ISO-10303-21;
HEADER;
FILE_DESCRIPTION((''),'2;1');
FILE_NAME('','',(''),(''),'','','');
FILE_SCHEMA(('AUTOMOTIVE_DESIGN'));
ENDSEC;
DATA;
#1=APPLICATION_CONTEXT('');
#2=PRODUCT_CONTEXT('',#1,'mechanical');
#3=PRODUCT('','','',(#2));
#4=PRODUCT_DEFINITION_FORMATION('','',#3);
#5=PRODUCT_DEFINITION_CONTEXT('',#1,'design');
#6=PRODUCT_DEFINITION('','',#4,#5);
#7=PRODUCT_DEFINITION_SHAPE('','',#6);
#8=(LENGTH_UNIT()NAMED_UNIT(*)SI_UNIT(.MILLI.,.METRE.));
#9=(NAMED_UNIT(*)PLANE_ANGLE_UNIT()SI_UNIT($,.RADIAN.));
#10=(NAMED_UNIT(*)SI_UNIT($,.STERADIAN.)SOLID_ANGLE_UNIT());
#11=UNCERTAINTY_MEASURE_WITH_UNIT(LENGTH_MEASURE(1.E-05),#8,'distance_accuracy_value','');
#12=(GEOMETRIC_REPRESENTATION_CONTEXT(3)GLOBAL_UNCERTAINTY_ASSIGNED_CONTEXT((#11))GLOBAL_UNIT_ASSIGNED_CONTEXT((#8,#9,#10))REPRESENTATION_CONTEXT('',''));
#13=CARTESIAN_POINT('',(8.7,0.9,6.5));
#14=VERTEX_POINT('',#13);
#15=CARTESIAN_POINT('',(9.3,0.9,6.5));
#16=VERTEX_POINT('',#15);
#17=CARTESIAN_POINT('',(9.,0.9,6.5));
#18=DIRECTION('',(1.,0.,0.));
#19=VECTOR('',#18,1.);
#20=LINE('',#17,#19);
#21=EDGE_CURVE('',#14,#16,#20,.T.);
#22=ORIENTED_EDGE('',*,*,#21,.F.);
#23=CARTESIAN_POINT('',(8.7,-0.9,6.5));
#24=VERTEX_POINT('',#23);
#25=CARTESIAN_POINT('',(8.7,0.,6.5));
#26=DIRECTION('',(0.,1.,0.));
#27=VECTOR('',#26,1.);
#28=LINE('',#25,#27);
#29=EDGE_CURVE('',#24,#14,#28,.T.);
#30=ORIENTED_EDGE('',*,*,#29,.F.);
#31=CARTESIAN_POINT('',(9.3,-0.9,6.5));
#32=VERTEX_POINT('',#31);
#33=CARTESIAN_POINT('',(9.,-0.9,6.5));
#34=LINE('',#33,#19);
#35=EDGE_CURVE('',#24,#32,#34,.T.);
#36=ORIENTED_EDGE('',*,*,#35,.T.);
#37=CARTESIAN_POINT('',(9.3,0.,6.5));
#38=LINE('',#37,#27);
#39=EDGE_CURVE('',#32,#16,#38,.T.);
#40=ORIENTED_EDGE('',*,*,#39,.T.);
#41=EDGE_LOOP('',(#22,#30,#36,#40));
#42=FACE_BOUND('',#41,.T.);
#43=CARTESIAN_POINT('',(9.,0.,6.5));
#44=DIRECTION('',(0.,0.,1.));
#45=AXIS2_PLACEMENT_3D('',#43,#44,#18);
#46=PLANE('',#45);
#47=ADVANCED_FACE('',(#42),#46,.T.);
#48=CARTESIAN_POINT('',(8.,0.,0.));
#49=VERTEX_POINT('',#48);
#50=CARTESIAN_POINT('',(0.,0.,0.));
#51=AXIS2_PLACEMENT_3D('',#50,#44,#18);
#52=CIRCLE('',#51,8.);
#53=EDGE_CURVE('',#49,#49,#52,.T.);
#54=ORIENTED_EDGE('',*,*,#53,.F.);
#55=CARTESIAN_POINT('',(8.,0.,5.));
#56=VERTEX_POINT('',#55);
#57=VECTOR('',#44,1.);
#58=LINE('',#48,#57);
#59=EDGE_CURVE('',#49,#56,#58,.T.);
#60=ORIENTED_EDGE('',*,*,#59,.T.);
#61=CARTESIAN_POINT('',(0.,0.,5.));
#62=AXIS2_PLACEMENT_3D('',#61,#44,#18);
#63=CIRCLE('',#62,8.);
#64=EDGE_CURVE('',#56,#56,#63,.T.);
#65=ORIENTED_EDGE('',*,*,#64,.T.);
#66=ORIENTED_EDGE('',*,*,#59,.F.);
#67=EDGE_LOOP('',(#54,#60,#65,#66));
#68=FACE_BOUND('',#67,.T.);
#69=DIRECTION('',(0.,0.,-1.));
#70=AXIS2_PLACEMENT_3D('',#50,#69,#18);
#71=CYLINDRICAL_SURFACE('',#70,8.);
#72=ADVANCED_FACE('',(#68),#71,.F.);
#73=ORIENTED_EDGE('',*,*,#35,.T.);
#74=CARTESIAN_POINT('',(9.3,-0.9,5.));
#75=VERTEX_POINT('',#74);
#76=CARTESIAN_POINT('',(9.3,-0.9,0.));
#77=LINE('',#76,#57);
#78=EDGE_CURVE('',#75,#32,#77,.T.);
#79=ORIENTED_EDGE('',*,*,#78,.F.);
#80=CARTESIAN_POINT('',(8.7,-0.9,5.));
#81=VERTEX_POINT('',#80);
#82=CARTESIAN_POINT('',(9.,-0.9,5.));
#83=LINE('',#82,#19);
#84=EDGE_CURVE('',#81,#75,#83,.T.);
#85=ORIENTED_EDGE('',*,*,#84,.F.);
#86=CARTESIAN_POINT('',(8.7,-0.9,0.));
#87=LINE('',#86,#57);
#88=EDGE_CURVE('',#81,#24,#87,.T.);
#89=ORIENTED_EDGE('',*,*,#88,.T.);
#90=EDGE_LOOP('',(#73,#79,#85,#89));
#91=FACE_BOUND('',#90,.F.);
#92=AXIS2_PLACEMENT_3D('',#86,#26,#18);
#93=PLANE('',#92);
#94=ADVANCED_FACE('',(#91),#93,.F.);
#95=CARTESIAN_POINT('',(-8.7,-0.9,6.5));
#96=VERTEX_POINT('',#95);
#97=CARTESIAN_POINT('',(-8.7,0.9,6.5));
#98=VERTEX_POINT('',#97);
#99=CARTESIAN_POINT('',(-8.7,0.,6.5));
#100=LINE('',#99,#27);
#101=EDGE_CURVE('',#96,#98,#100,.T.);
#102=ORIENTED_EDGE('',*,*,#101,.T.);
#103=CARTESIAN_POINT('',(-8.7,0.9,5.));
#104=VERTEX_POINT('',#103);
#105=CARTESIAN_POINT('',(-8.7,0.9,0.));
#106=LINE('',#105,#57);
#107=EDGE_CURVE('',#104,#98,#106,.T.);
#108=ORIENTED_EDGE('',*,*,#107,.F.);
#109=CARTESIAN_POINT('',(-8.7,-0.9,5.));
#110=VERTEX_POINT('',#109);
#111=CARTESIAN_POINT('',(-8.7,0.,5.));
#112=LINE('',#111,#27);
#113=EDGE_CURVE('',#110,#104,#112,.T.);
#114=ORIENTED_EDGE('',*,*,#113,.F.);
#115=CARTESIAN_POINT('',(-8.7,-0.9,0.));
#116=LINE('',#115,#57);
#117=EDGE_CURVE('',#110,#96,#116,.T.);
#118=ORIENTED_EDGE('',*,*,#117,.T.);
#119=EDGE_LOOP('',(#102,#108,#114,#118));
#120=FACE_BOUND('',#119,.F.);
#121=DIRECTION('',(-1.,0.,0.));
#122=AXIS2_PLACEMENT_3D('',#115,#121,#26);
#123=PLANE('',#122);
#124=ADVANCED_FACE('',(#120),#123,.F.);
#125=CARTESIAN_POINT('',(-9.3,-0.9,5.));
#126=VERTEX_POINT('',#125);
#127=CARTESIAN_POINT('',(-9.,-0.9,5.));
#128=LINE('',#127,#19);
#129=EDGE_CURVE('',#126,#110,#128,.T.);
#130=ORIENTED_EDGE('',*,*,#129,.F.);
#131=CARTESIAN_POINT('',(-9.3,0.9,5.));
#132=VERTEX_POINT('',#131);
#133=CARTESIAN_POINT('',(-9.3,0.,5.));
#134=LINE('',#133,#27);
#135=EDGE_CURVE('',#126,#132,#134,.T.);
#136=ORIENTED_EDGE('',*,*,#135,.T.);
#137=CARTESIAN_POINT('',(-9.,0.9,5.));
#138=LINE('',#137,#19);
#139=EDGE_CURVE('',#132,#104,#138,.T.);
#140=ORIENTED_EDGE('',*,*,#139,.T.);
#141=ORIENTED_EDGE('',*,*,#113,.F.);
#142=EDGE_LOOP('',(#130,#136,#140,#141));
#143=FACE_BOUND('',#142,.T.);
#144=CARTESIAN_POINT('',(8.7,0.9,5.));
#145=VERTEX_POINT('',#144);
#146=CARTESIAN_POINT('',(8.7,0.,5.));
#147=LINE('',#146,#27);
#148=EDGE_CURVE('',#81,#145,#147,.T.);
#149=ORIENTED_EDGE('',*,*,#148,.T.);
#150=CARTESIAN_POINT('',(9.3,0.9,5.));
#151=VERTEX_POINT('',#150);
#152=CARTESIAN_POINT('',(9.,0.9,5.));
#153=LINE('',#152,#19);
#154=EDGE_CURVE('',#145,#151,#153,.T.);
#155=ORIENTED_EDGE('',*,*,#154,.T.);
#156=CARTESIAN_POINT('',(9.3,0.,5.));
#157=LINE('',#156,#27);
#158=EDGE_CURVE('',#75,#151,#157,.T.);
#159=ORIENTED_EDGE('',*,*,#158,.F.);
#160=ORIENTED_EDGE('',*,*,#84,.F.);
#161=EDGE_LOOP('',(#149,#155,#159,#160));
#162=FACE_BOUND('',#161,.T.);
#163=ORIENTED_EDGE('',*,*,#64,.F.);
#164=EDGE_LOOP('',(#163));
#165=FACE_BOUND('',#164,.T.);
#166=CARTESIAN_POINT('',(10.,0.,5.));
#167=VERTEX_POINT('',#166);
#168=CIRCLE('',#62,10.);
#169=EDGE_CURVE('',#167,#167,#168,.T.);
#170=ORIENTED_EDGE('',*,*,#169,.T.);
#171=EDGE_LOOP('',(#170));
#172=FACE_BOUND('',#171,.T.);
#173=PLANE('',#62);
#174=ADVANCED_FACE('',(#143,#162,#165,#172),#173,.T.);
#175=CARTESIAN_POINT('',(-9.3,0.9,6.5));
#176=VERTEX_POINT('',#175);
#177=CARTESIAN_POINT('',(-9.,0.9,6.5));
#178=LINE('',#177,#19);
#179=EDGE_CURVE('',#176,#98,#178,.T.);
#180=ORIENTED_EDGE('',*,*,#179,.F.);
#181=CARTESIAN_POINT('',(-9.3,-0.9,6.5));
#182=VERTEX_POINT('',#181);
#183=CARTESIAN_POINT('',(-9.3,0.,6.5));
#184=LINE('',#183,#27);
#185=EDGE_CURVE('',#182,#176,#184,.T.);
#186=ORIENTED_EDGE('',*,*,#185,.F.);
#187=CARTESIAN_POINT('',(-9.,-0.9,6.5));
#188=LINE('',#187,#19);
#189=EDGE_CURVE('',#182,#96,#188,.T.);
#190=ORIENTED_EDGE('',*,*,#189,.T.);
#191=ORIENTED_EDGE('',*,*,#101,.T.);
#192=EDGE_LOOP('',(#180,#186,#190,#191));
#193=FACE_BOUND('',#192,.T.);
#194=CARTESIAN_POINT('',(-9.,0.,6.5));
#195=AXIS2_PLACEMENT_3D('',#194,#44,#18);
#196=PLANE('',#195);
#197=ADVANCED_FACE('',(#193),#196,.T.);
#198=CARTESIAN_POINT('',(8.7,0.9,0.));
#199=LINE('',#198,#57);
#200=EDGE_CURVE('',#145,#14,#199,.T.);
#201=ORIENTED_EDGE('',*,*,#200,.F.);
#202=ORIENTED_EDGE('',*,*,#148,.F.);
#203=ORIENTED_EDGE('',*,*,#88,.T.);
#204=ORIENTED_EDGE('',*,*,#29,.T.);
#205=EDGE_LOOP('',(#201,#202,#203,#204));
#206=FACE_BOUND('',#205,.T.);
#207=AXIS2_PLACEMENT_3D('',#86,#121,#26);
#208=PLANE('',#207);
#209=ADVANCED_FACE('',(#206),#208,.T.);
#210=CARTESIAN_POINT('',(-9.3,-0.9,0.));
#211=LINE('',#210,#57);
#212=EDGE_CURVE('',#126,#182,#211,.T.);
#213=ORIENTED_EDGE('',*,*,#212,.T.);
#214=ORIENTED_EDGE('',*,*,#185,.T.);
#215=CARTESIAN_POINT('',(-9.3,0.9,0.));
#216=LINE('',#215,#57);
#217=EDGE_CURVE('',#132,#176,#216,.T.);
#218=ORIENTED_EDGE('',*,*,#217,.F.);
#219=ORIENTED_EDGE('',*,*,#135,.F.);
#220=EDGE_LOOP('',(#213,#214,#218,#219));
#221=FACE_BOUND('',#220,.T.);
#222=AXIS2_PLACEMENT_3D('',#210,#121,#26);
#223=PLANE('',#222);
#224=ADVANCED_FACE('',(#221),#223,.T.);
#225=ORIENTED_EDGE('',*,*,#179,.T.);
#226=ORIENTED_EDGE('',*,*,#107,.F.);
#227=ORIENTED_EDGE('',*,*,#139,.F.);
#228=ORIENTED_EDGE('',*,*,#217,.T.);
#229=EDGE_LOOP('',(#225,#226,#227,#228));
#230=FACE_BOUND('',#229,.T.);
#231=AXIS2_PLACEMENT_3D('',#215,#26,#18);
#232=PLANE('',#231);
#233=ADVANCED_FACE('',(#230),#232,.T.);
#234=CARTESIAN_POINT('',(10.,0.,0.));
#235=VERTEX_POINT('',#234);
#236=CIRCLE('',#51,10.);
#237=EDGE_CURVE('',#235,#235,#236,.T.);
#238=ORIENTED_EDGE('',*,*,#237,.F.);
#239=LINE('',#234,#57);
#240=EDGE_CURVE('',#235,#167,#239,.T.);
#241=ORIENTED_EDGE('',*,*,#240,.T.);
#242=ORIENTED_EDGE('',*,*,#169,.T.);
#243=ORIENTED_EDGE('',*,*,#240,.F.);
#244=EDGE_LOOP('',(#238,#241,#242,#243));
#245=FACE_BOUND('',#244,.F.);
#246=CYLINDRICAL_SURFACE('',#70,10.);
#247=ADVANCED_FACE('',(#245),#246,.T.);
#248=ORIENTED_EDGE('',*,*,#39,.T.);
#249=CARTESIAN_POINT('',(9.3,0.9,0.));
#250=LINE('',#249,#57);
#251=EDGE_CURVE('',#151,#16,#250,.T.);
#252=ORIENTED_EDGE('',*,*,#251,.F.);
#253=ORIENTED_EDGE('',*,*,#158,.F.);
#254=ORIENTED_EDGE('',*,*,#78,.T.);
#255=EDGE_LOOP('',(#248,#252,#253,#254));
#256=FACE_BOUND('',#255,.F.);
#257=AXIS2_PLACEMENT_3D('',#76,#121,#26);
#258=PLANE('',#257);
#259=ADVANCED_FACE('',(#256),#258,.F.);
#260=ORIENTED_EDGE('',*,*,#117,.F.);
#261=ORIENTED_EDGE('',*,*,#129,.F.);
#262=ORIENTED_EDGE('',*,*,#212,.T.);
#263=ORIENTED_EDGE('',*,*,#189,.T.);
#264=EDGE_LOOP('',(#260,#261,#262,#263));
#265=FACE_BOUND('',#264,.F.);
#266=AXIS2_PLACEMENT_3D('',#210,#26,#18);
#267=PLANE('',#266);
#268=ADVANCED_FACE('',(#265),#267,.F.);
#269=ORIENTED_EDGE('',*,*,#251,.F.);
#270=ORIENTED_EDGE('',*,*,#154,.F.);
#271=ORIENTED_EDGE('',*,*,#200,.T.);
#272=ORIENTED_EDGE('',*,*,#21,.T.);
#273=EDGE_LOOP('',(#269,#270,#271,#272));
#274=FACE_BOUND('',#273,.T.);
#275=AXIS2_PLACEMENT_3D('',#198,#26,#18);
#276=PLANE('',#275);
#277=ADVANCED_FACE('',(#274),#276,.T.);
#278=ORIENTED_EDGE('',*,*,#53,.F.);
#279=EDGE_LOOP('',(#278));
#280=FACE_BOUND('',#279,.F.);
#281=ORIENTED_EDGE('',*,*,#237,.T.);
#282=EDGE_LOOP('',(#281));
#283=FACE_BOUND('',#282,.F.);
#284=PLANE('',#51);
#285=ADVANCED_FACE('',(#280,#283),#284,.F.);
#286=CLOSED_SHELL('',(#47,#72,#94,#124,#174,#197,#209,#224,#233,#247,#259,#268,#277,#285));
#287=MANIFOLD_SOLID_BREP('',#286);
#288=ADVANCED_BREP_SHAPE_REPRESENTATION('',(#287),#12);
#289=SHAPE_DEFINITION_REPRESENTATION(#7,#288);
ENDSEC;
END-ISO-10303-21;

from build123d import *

# Parameters (mm, degrees)
F0_W     = 0.6
F0_H     = 1.8
F1_DEPTH = 6.5
F0_R     = 10
F0_R_2   = 8
F2_DEPTH = 5


with BuildPart() as f1:
    # F0 (on Top) → F1 (new body)
    with BuildSketch(Plane.XY):
        with Locations((-9, 0)):
            Rectangle(F0_W, F0_H)
    extrude(amount=F1_DEPTH)



with BuildPart() as f1b:
    # F0 (on Top) → F1, piece 2 (new body)
    with BuildSketch(Plane.XY):
        with Locations((9, 0)):
            Rectangle(F0_W, F0_H)
    extrude(amount=F1_DEPTH)


with BuildPart() as f1_1:
    add(f1.part)

    add(f1b.part)  # F2 merges F1b
    # F0 (on Top) → F2 (join)
    with BuildSketch(Plane.XY):
        Circle(F0_R)
        with Locations((-9, 0)):
            Rectangle(F0_W, F0_H, mode=Mode.SUBTRACT)
        Circle(F0_R_2, mode=Mode.SUBTRACT)
        with Locations((9, 0)):
            Rectangle(F0_W, F0_H, mode=Mode.SUBTRACT)
    extrude(amount=F2_DEPTH)


solid = f1_1.part
